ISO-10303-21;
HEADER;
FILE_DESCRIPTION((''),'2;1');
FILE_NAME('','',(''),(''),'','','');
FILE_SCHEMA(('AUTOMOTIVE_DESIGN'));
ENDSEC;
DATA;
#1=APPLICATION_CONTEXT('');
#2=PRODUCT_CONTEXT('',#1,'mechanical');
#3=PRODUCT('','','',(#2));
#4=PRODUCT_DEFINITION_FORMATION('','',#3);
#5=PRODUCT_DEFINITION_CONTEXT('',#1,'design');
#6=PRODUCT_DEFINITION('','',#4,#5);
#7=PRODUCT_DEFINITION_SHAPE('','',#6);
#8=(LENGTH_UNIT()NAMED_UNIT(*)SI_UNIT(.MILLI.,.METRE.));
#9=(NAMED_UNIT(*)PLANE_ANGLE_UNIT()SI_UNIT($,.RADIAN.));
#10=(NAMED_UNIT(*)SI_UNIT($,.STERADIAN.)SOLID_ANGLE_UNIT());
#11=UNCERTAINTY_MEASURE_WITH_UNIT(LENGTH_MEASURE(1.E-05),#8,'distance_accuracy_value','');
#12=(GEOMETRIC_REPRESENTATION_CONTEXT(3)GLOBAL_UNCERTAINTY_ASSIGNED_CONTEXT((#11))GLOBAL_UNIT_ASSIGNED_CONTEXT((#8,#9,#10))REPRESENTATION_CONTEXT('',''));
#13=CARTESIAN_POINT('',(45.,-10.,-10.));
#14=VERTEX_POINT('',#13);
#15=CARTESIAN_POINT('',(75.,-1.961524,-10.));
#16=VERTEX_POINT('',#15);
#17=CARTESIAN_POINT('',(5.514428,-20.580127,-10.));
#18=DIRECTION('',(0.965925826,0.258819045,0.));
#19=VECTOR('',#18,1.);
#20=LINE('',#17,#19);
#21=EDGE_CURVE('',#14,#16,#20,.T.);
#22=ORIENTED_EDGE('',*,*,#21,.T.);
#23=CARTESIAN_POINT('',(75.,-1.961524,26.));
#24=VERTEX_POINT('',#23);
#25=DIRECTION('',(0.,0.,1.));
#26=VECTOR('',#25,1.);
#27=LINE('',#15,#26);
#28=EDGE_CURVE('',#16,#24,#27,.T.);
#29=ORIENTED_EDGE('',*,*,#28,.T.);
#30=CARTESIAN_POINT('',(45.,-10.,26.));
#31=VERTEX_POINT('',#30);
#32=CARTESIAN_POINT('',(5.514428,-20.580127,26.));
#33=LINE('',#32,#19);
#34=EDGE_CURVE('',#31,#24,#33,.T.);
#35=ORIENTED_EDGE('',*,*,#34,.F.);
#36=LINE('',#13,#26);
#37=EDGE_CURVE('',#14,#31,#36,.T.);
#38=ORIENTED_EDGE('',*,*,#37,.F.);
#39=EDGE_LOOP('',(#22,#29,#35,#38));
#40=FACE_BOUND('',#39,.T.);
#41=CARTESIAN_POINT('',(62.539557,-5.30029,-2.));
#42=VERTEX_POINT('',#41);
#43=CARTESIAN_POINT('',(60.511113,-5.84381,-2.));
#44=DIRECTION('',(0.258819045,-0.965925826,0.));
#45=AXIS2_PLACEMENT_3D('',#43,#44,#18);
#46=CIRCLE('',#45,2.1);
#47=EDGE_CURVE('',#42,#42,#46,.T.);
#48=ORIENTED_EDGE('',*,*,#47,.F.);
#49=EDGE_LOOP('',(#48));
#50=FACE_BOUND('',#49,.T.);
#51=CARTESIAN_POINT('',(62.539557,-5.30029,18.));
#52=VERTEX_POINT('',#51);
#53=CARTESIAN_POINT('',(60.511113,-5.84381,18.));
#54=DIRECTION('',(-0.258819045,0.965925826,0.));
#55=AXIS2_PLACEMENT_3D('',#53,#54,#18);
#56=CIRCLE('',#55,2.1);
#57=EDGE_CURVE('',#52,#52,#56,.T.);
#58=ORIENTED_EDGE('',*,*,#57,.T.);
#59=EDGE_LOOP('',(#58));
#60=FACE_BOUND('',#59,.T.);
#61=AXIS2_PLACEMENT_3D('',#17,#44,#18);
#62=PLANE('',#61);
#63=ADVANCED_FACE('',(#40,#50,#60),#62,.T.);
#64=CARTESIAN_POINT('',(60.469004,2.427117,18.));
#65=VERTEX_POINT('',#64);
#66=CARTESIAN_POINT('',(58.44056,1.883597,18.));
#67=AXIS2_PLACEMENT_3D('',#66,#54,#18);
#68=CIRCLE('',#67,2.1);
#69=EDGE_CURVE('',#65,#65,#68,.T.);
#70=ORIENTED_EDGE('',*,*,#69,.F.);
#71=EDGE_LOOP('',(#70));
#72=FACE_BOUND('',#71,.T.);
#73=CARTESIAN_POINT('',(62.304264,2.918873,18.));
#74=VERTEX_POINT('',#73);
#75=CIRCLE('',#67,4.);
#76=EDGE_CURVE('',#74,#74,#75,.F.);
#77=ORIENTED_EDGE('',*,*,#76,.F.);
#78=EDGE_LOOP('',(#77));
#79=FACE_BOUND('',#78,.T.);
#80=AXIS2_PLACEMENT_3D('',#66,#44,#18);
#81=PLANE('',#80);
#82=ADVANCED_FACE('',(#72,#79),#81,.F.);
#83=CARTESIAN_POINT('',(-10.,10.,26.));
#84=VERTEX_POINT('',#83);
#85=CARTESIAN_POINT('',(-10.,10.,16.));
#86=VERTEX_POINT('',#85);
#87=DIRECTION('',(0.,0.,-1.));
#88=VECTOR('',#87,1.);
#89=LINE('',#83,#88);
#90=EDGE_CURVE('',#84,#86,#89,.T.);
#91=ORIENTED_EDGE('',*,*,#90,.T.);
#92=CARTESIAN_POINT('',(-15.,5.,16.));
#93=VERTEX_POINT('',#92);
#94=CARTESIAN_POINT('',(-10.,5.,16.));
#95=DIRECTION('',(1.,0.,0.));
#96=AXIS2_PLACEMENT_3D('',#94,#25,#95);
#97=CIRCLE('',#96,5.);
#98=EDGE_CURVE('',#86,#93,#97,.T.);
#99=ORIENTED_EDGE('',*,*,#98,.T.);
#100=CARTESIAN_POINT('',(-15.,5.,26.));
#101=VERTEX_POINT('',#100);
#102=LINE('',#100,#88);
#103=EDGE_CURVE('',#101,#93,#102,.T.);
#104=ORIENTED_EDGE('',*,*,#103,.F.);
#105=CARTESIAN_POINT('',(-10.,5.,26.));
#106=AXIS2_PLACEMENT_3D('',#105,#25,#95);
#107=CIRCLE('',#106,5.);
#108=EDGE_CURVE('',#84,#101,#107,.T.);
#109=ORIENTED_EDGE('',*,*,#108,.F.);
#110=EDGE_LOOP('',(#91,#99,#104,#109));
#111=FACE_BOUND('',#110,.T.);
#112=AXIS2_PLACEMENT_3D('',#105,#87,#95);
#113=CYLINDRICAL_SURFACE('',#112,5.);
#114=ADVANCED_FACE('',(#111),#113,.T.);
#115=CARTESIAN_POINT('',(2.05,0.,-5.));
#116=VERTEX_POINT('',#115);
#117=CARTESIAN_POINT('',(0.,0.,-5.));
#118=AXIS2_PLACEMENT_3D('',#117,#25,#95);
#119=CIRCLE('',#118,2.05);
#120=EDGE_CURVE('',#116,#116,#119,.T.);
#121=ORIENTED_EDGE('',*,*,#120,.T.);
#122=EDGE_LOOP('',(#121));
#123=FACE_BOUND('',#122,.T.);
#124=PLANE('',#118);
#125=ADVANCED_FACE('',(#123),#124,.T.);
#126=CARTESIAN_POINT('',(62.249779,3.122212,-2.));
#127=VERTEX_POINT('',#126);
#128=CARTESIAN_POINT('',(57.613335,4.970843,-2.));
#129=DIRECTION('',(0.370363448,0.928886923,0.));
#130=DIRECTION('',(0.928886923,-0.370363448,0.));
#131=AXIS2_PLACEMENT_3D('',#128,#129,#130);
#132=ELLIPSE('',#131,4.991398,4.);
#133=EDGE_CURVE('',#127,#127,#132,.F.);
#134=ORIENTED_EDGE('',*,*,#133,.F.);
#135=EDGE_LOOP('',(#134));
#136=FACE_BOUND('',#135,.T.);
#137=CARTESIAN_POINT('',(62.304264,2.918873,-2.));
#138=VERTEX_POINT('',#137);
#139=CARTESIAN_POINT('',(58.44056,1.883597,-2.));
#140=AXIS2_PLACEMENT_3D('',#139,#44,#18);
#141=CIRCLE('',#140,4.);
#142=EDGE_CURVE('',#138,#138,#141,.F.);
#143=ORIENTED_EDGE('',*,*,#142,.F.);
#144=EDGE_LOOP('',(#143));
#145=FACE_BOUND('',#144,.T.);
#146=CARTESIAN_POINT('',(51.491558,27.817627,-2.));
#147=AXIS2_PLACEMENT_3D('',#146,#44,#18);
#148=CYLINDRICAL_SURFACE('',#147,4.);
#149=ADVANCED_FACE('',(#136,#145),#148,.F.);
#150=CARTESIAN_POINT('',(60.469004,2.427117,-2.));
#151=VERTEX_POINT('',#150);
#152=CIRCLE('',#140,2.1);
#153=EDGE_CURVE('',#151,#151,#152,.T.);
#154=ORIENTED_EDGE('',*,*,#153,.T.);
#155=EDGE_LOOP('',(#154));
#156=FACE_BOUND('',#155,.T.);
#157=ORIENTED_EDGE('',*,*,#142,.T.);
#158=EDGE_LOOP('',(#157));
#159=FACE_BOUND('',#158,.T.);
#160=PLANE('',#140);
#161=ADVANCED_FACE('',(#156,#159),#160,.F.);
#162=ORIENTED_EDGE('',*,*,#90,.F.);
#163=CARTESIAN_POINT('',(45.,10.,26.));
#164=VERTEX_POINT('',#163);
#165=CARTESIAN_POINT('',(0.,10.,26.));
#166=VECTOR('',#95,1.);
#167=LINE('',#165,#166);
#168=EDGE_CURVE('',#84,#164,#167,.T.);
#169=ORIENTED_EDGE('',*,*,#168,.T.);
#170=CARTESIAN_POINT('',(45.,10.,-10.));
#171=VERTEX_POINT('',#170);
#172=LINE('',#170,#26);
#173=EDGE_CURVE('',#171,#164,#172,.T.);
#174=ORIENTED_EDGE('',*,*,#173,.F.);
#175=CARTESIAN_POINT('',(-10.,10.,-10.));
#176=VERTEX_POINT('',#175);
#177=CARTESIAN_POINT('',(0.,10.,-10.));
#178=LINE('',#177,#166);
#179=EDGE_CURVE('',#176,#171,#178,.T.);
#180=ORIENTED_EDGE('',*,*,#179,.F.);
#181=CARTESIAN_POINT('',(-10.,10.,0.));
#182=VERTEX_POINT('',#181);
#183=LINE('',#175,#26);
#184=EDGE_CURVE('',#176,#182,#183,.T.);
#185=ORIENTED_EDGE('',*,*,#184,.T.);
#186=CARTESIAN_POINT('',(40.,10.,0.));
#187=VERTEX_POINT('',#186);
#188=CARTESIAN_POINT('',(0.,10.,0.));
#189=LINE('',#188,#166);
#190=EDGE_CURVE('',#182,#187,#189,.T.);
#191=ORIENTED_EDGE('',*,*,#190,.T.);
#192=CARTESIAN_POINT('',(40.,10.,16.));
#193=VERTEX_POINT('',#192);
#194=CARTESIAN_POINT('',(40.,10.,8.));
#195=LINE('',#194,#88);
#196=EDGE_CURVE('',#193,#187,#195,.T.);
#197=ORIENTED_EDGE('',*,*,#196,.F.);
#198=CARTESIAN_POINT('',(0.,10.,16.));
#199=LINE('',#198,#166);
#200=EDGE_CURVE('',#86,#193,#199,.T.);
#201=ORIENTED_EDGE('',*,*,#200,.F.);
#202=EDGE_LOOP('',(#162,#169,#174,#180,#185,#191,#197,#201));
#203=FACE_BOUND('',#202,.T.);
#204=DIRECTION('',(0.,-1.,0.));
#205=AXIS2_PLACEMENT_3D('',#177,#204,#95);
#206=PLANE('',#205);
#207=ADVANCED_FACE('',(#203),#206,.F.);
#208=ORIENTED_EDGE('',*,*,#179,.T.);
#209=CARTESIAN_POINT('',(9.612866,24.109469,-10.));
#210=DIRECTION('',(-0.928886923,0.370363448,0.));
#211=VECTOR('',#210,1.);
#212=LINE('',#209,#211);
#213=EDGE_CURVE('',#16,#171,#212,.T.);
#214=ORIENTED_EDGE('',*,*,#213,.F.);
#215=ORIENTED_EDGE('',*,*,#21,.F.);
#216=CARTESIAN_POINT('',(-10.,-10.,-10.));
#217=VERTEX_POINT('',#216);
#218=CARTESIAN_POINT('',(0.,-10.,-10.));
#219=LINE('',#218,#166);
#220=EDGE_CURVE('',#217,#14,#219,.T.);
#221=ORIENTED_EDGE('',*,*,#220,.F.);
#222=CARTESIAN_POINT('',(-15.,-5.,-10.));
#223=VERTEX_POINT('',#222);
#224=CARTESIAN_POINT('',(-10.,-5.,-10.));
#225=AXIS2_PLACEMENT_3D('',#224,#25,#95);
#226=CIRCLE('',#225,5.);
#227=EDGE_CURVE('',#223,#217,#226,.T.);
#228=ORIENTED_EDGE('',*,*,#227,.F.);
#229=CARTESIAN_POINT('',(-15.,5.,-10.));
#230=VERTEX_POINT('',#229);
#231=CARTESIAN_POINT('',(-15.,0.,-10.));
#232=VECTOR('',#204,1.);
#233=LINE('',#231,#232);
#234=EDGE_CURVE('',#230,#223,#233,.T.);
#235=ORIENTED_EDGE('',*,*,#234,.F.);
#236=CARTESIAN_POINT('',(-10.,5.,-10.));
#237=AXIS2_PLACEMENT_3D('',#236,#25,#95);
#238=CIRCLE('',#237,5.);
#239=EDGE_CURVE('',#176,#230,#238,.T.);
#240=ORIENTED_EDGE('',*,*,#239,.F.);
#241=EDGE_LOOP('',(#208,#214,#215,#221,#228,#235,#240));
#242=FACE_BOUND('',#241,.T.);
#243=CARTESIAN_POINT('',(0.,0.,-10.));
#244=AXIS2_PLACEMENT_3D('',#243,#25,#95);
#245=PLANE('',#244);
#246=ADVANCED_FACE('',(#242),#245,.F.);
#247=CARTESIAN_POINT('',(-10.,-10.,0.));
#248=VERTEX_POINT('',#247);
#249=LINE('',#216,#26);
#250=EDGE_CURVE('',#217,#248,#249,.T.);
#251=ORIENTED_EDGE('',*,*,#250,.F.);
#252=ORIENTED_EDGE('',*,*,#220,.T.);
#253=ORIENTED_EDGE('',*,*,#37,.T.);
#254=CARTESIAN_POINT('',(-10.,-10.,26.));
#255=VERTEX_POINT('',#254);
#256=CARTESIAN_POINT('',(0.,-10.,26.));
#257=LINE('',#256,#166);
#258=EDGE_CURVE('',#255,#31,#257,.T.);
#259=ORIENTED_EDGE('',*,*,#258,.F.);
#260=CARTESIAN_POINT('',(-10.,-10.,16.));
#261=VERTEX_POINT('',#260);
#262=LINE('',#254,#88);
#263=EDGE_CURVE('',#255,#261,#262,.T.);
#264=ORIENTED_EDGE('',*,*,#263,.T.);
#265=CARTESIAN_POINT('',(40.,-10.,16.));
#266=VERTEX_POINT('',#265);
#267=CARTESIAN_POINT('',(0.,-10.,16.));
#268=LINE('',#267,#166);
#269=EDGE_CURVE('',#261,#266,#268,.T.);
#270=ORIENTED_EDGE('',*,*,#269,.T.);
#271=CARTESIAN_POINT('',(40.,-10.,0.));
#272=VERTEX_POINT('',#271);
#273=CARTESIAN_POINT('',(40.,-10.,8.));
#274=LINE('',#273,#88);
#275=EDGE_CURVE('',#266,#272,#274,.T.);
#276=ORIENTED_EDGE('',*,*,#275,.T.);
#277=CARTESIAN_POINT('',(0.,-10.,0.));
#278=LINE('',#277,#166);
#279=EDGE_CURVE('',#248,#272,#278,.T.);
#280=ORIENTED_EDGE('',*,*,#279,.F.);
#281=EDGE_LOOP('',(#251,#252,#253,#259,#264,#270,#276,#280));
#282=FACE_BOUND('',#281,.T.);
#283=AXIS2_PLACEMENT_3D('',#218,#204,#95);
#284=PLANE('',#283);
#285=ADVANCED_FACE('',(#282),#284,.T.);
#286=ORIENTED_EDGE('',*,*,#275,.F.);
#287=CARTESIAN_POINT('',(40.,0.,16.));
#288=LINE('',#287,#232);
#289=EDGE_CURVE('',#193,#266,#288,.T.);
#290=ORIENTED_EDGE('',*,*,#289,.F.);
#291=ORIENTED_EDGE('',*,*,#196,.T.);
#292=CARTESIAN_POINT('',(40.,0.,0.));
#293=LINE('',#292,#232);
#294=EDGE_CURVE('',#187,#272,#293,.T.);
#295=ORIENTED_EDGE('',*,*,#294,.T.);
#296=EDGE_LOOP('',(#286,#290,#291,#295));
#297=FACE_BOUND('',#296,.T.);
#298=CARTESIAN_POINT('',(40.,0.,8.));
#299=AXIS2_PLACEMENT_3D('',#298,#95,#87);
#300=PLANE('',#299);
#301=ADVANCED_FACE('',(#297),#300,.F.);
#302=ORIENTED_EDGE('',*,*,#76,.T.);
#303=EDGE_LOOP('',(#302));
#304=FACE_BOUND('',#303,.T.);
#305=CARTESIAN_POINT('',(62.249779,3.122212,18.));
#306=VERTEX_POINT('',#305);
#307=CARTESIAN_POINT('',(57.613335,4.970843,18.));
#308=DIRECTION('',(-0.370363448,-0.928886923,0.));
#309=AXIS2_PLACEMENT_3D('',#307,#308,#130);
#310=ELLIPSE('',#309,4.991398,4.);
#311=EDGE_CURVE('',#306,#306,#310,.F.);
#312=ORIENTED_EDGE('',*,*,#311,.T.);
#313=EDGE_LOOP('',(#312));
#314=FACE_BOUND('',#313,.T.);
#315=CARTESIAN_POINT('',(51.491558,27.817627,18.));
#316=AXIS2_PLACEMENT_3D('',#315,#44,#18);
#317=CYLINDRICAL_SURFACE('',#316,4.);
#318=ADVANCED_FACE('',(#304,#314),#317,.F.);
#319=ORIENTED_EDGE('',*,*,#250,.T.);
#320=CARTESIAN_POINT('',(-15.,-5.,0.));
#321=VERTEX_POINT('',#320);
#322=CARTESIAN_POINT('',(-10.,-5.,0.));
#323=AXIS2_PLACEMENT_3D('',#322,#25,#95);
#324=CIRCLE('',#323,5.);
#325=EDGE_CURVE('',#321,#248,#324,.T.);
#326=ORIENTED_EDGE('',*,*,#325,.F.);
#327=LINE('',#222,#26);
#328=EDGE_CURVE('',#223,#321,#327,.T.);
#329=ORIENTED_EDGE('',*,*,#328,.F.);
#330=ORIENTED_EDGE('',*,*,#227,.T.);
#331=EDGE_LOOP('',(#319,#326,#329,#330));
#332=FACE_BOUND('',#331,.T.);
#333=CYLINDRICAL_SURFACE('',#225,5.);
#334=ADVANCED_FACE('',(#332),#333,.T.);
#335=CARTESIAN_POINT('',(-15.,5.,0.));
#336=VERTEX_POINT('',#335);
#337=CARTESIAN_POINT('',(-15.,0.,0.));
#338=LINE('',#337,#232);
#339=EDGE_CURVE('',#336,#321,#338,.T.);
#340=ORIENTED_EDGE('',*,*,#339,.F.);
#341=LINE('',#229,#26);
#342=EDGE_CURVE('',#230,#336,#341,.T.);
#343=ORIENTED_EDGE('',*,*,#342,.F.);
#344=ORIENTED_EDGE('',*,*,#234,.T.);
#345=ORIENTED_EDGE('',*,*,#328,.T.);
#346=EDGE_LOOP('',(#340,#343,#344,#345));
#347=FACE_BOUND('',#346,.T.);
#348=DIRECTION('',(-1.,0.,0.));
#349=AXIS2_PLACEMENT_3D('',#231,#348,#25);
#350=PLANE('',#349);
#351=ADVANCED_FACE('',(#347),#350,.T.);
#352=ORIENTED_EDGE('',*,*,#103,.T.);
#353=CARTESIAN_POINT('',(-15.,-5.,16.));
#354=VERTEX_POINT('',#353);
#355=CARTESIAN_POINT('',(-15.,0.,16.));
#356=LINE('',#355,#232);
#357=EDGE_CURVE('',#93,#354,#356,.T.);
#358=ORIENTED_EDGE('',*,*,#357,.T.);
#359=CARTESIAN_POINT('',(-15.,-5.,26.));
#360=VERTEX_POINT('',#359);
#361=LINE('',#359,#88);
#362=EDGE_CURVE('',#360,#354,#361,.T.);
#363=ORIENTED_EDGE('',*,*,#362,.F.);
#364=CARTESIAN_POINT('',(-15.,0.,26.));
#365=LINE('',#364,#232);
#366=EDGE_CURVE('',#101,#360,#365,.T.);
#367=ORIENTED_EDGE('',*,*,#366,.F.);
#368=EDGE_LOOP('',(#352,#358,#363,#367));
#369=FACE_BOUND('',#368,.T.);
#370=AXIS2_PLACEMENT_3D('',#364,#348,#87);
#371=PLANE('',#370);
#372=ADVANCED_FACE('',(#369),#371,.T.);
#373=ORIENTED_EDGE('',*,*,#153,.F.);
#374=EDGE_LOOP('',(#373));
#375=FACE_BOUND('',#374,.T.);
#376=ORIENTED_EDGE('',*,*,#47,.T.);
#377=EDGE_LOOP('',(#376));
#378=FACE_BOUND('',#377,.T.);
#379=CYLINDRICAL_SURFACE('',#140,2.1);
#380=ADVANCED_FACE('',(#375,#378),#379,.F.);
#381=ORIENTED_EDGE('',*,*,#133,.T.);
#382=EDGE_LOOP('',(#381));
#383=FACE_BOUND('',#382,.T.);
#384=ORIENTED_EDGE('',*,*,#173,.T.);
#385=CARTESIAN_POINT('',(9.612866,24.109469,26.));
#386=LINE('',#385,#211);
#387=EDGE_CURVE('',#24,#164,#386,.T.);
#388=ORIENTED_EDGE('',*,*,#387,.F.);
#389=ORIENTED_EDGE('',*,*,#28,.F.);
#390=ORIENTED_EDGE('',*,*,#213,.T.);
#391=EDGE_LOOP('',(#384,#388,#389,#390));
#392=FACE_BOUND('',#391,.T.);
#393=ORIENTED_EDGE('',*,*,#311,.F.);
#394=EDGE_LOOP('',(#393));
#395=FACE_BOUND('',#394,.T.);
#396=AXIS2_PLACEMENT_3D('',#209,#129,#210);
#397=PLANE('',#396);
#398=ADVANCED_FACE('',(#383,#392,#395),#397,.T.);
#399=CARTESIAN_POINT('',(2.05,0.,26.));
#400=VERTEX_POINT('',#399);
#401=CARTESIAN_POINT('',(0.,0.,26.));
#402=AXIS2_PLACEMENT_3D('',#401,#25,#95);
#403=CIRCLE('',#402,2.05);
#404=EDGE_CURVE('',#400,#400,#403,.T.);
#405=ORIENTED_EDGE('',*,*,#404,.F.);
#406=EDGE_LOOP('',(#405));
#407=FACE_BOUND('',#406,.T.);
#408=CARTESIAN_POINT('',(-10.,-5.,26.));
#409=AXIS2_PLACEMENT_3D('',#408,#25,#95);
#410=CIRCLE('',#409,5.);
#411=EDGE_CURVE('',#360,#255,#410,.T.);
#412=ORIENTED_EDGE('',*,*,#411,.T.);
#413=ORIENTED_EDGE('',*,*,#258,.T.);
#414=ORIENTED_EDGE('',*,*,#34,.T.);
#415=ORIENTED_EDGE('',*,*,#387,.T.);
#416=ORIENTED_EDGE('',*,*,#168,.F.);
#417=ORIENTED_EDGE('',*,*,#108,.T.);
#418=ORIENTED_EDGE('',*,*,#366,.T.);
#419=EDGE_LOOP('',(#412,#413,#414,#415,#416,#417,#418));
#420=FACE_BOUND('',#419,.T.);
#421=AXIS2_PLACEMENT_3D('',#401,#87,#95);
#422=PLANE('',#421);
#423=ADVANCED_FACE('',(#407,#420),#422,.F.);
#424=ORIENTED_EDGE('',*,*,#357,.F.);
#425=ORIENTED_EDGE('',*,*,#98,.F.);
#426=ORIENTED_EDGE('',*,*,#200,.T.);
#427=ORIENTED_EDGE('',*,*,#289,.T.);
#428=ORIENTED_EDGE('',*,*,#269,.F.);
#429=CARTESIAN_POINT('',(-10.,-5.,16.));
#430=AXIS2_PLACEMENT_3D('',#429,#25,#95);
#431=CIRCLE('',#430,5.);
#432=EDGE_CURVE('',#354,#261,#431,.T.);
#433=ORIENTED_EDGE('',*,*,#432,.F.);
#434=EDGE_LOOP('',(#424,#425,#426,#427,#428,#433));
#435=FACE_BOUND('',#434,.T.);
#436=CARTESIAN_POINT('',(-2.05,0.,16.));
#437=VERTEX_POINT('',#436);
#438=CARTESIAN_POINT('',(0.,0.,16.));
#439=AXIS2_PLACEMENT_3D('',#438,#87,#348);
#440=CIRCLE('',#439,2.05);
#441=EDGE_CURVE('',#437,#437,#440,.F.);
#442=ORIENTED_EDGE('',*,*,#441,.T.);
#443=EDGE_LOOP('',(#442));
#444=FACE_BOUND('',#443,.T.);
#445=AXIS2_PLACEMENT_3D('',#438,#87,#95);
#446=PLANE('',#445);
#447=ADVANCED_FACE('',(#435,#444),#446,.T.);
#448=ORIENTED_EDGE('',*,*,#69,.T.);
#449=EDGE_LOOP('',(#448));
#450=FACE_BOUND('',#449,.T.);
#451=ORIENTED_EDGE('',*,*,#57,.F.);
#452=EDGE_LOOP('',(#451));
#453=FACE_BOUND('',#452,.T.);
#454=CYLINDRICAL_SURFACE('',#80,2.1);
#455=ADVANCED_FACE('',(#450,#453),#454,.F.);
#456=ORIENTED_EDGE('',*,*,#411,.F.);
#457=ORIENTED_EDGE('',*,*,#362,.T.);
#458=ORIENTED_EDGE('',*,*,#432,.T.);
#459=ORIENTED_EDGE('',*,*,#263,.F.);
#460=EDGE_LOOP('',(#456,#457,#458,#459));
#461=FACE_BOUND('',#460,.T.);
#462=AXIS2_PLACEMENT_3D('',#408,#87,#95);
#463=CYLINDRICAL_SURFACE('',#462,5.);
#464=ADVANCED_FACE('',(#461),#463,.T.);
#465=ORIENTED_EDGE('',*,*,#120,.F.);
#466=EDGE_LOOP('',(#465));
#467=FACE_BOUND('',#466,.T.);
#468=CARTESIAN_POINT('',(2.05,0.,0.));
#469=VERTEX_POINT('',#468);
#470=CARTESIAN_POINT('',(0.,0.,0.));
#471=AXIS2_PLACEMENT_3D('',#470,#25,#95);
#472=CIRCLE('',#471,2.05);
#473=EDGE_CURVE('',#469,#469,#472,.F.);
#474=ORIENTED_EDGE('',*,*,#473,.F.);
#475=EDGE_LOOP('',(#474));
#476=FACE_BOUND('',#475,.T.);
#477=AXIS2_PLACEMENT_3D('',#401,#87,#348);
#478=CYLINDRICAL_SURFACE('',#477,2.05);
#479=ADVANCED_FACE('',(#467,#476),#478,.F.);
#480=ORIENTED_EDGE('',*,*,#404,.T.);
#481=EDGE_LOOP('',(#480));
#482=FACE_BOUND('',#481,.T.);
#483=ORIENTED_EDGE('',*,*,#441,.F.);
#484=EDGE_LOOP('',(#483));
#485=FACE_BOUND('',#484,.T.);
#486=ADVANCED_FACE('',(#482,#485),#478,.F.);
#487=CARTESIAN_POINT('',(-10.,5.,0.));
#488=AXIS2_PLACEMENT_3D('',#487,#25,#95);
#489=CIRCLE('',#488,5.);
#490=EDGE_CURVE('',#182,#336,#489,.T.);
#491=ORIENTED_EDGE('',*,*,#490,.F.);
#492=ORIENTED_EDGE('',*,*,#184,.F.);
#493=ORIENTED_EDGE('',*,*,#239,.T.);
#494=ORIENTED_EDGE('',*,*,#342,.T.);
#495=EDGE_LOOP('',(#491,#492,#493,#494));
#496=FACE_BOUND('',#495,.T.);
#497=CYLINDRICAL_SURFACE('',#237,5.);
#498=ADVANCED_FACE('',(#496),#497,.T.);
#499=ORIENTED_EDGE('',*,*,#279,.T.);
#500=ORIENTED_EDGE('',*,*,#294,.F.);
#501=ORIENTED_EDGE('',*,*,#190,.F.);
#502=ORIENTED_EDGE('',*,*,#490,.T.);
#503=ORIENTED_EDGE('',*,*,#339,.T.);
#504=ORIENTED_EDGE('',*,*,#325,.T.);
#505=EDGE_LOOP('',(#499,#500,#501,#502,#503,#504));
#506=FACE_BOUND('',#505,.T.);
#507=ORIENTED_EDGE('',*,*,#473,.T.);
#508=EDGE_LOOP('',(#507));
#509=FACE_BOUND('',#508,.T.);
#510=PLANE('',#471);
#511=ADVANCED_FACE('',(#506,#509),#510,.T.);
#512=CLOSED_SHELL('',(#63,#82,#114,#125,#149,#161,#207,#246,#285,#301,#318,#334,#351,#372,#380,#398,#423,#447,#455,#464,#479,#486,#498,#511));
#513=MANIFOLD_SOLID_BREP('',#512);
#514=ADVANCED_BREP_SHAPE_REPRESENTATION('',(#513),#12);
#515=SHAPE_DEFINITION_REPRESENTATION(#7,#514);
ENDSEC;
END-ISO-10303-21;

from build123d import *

# Parameters (mm, degrees)
SKETCH4_R               = 2.05
SKETCH4_W               = 5
SKETCH4_H               = 20
BOSS_LARGEUR_DEPTH      = 10
SKETCH4_4_W             = 5
SKETCH4_4_H             = 20
BOSS_EXTRUDE4_DEPTH     = 8
CUT_VIS_REACH           = 36.848
SKETCH5_R               = 2.1
SKETCH5_R_2             = 4
SKETCH5_4_R             = 4
SKETCH5_4_R_2           = 2.1
BOSS_VIS_DEPTH          = 8
SKETCH4_6_R             = 2.05
CUT_EXTRUDE7_DEPTH      = 27
CUT_EXTRUDE7_DEPTH_BACK = 5


with BuildPart() as part:
    # Sketch4 → Boss-Largeur (new body)
    with BuildSketch(Plane.XY):
        with BuildLine():
            Line((40, 10), (-10, 10))
            ThreePointArc((-10, 10), (-13.535533906, 8.535533906), (-15, 5))
            Line((-15, 5), (-15, -5))
            ThreePointArc((-15, -5), (-13.535533906, -8.535533906), (-10, -10))
            Line((-10, -10), (40, -10))
            Line((40, -10), (40, 10))
        make_face()
        Circle(SKETCH4_R, mode=Mode.SUBTRACT)
        with Locations((42.5, 0)):
            Rectangle(SKETCH4_W, SKETCH4_H)
        Polygon((75, -1.961524227), (45, 10), (45, -10), align=None)
        Circle(SKETCH4_R)
    extrude(amount=-BOSS_LARGEUR_DEPTH)

    # Sketch4<4> → Boss-Extrude4 (add)
    with BuildSketch(Plane.XY):
        with Locations((42.5, 0)):
            Rectangle(SKETCH4_4_W, SKETCH4_4_H)
        Polygon((45, -10), (75, -1.961524227), (45, 10), align=None)
    extrude(amount=BOSS_EXTRUDE4_DEPTH)

    # Sketch5 → Cut-Vis (cut, up to next)
    with BuildSketch(Plane(origin=(5.514428415, -20.580127019, 0), x_dir=(0.965925826, 0.258819045, 0), z_dir=(0.258819045, -0.965925826, 0)), mode=Mode.PRIVATE) as cut_vis_sk1:
        with Locations((56.936757144, -2)):
            Circle(SKETCH5_R)
    cut_vis_tool1 = extrude(cut_vis_sk1.sketch, amount=-CUT_VIS_REACH, mode=Mode.PRIVATE) & part.part
    add(cut_vis_tool1.solids().sort_by_distance((60.511113, -5.84381, -2))[0], mode=Mode.SUBTRACT)
    # Sketch5 → Cut-Vis (cut, up to next)
    with BuildSketch(Plane(origin=(5.514428415, -20.580127019, 0), x_dir=(0.965925826, 0.258819045, 0), z_dir=(0.258819045, -0.965925826, 0)), mode=Mode.PRIVATE) as cut_vis_sk2:
        with Locations((56.936757144, -2)):
            Circle(SKETCH5_R_2)
        with Locations((56.936757144, -2)):
            Circle(SKETCH5_R, mode=Mode.SUBTRACT)
    cut_vis_tool2 = extrude(cut_vis_sk2.sketch, amount=-CUT_VIS_REACH, mode=Mode.PRIVATE) & part.part
    add(cut_vis_tool2.solids().sort_by_distance((56.756691, -6.849804, -2))[0], mode=Mode.SUBTRACT)

    # Sketch5<4> → Boss-Vis (add)
    with BuildSketch(Plane(origin=(5.514428415, -20.580127019, 0), x_dir=(0.965925826, 0.258819045, 0), z_dir=(0.258819045, -0.965925826, 0))):
        with Locations((56.936757144, -2)):
            Circle(SKETCH5_4_R)
        with Locations((56.936757144, -2)):
            Circle(SKETCH5_4_R_2, mode=Mode.SUBTRACT)
    extrude(amount=-BOSS_VIS_DEPTH)

    # Mirror4: part across plane


with BuildPart() as part_1:
    add(part.part)
    add(part.part.mirror(Plane.XY.offset(8)))

    # Sketch4<6> → Cut-Extrude7 (cut, two sides)
    with BuildSketch(Plane.XY) as cut_extrude7_sk:
        Circle(SKETCH4_6_R)
    extrude(amount=CUT_EXTRUDE7_DEPTH, mode=Mode.SUBTRACT)
    extrude(cut_extrude7_sk.sketch, amount=-CUT_EXTRUDE7_DEPTH_BACK, mode=Mode.SUBTRACT)


solid = part_1.part
